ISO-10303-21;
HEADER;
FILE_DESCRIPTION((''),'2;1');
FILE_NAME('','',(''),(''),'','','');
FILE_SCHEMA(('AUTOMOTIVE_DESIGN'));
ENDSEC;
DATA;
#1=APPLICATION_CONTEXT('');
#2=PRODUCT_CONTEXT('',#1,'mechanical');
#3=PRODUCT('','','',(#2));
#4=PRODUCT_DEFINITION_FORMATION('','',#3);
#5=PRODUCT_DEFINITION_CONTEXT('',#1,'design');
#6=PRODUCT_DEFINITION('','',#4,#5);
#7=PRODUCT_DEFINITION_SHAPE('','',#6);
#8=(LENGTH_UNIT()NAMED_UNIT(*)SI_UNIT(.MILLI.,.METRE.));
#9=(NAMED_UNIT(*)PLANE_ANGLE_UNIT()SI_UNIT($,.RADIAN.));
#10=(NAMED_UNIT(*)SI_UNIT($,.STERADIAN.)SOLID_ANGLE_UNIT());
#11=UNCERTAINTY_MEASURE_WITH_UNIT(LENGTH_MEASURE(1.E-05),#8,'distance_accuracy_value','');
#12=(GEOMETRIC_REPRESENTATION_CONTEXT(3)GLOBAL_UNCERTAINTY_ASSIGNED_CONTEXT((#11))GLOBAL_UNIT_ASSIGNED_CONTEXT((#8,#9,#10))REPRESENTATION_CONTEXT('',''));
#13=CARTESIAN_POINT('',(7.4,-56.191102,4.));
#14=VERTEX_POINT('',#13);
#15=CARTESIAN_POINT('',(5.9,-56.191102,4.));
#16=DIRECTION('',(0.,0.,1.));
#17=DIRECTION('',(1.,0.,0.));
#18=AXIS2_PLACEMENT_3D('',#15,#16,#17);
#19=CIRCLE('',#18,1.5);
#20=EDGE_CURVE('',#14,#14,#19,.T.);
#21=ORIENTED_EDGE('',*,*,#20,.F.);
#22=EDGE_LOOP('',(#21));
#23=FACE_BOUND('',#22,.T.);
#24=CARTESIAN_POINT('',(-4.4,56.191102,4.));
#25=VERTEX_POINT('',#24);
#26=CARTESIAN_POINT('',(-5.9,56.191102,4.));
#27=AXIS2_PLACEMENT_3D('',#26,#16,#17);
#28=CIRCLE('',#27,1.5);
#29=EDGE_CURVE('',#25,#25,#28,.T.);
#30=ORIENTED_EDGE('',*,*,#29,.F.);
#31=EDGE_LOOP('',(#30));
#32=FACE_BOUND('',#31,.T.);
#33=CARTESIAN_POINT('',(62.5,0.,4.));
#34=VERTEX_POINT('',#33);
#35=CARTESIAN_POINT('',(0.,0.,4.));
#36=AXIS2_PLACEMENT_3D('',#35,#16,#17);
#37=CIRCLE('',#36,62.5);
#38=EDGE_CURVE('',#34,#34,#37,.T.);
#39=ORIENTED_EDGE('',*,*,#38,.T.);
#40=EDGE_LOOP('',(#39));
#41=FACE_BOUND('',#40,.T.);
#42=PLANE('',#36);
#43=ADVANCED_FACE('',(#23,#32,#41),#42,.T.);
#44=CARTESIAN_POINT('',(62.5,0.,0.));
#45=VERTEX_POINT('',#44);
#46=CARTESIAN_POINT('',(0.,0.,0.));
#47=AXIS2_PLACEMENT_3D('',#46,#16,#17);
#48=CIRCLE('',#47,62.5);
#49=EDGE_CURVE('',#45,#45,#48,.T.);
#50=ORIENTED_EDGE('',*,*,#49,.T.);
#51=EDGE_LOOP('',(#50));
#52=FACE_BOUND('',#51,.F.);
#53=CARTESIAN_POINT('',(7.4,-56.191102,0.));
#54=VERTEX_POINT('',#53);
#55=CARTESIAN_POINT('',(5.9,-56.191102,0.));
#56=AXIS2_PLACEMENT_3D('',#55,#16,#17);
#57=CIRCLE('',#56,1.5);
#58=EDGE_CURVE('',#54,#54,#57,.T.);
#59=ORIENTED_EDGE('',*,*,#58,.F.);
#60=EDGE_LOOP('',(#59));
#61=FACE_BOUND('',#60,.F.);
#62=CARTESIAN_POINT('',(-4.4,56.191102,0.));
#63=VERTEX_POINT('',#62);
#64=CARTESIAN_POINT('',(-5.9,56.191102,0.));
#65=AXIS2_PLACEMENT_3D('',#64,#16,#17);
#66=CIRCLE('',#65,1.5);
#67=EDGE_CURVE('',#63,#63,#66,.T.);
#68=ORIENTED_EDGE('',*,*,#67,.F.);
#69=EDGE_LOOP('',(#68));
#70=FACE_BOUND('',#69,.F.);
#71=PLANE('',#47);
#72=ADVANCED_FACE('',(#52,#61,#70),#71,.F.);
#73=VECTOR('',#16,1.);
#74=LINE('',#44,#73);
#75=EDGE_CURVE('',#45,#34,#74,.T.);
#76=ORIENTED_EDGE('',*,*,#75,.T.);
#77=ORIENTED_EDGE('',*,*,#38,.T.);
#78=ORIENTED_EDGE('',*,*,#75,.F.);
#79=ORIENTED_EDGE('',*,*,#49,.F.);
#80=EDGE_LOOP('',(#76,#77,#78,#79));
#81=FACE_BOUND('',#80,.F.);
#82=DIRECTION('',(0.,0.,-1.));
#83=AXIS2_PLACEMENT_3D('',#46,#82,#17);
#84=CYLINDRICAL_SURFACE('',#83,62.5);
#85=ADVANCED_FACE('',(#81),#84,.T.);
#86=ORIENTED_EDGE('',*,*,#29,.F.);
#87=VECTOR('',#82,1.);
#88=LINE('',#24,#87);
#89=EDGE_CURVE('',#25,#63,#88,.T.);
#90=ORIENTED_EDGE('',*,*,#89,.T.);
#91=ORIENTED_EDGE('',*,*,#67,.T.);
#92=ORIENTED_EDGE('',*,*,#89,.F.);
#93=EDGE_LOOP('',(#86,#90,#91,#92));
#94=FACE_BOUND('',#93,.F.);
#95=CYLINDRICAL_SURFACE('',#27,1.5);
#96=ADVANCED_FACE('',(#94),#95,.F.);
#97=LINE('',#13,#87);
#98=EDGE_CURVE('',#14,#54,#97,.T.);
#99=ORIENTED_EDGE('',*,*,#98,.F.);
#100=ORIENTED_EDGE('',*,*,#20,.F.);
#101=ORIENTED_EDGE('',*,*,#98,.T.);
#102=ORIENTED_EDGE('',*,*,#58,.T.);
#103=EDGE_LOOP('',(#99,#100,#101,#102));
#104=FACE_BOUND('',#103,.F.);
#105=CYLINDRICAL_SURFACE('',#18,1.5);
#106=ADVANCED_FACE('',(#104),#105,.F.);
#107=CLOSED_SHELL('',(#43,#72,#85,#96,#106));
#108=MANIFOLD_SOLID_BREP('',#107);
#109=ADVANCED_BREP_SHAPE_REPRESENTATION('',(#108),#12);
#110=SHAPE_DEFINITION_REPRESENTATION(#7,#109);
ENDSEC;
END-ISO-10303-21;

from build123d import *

# Parameters (mm, degrees)
F0_R     = 62.5
F1_DEPTH = 4
F2_R     = 1.5
F3_DEPTH = 4.001
F4_R     = 1.5
F5_DEPTH = 4.001


with BuildPart() as f1:
    # F0 (on Top) → F1 (new body)
    with BuildSketch(Plane.XY):
        Circle(F0_R)
    extrude(amount=F1_DEPTH)

    # F2 (on face) → F3 (cut, through all)
    with BuildSketch(Plane.XY.offset(4)):
        with Locations((-5.9, 56.191102)):
            Circle(F2_R)
    extrude(amount=-F3_DEPTH, mode=Mode.SUBTRACT)

    # F4 (on face) → F5 (cut, through all)
    with BuildSketch(Plane.XY.offset(4)):
        with Locations((5.9, -56.191102)):
            Circle(F4_R)
    extrude(amount=-F5_DEPTH, mode=Mode.SUBTRACT)


solid = f1.part
